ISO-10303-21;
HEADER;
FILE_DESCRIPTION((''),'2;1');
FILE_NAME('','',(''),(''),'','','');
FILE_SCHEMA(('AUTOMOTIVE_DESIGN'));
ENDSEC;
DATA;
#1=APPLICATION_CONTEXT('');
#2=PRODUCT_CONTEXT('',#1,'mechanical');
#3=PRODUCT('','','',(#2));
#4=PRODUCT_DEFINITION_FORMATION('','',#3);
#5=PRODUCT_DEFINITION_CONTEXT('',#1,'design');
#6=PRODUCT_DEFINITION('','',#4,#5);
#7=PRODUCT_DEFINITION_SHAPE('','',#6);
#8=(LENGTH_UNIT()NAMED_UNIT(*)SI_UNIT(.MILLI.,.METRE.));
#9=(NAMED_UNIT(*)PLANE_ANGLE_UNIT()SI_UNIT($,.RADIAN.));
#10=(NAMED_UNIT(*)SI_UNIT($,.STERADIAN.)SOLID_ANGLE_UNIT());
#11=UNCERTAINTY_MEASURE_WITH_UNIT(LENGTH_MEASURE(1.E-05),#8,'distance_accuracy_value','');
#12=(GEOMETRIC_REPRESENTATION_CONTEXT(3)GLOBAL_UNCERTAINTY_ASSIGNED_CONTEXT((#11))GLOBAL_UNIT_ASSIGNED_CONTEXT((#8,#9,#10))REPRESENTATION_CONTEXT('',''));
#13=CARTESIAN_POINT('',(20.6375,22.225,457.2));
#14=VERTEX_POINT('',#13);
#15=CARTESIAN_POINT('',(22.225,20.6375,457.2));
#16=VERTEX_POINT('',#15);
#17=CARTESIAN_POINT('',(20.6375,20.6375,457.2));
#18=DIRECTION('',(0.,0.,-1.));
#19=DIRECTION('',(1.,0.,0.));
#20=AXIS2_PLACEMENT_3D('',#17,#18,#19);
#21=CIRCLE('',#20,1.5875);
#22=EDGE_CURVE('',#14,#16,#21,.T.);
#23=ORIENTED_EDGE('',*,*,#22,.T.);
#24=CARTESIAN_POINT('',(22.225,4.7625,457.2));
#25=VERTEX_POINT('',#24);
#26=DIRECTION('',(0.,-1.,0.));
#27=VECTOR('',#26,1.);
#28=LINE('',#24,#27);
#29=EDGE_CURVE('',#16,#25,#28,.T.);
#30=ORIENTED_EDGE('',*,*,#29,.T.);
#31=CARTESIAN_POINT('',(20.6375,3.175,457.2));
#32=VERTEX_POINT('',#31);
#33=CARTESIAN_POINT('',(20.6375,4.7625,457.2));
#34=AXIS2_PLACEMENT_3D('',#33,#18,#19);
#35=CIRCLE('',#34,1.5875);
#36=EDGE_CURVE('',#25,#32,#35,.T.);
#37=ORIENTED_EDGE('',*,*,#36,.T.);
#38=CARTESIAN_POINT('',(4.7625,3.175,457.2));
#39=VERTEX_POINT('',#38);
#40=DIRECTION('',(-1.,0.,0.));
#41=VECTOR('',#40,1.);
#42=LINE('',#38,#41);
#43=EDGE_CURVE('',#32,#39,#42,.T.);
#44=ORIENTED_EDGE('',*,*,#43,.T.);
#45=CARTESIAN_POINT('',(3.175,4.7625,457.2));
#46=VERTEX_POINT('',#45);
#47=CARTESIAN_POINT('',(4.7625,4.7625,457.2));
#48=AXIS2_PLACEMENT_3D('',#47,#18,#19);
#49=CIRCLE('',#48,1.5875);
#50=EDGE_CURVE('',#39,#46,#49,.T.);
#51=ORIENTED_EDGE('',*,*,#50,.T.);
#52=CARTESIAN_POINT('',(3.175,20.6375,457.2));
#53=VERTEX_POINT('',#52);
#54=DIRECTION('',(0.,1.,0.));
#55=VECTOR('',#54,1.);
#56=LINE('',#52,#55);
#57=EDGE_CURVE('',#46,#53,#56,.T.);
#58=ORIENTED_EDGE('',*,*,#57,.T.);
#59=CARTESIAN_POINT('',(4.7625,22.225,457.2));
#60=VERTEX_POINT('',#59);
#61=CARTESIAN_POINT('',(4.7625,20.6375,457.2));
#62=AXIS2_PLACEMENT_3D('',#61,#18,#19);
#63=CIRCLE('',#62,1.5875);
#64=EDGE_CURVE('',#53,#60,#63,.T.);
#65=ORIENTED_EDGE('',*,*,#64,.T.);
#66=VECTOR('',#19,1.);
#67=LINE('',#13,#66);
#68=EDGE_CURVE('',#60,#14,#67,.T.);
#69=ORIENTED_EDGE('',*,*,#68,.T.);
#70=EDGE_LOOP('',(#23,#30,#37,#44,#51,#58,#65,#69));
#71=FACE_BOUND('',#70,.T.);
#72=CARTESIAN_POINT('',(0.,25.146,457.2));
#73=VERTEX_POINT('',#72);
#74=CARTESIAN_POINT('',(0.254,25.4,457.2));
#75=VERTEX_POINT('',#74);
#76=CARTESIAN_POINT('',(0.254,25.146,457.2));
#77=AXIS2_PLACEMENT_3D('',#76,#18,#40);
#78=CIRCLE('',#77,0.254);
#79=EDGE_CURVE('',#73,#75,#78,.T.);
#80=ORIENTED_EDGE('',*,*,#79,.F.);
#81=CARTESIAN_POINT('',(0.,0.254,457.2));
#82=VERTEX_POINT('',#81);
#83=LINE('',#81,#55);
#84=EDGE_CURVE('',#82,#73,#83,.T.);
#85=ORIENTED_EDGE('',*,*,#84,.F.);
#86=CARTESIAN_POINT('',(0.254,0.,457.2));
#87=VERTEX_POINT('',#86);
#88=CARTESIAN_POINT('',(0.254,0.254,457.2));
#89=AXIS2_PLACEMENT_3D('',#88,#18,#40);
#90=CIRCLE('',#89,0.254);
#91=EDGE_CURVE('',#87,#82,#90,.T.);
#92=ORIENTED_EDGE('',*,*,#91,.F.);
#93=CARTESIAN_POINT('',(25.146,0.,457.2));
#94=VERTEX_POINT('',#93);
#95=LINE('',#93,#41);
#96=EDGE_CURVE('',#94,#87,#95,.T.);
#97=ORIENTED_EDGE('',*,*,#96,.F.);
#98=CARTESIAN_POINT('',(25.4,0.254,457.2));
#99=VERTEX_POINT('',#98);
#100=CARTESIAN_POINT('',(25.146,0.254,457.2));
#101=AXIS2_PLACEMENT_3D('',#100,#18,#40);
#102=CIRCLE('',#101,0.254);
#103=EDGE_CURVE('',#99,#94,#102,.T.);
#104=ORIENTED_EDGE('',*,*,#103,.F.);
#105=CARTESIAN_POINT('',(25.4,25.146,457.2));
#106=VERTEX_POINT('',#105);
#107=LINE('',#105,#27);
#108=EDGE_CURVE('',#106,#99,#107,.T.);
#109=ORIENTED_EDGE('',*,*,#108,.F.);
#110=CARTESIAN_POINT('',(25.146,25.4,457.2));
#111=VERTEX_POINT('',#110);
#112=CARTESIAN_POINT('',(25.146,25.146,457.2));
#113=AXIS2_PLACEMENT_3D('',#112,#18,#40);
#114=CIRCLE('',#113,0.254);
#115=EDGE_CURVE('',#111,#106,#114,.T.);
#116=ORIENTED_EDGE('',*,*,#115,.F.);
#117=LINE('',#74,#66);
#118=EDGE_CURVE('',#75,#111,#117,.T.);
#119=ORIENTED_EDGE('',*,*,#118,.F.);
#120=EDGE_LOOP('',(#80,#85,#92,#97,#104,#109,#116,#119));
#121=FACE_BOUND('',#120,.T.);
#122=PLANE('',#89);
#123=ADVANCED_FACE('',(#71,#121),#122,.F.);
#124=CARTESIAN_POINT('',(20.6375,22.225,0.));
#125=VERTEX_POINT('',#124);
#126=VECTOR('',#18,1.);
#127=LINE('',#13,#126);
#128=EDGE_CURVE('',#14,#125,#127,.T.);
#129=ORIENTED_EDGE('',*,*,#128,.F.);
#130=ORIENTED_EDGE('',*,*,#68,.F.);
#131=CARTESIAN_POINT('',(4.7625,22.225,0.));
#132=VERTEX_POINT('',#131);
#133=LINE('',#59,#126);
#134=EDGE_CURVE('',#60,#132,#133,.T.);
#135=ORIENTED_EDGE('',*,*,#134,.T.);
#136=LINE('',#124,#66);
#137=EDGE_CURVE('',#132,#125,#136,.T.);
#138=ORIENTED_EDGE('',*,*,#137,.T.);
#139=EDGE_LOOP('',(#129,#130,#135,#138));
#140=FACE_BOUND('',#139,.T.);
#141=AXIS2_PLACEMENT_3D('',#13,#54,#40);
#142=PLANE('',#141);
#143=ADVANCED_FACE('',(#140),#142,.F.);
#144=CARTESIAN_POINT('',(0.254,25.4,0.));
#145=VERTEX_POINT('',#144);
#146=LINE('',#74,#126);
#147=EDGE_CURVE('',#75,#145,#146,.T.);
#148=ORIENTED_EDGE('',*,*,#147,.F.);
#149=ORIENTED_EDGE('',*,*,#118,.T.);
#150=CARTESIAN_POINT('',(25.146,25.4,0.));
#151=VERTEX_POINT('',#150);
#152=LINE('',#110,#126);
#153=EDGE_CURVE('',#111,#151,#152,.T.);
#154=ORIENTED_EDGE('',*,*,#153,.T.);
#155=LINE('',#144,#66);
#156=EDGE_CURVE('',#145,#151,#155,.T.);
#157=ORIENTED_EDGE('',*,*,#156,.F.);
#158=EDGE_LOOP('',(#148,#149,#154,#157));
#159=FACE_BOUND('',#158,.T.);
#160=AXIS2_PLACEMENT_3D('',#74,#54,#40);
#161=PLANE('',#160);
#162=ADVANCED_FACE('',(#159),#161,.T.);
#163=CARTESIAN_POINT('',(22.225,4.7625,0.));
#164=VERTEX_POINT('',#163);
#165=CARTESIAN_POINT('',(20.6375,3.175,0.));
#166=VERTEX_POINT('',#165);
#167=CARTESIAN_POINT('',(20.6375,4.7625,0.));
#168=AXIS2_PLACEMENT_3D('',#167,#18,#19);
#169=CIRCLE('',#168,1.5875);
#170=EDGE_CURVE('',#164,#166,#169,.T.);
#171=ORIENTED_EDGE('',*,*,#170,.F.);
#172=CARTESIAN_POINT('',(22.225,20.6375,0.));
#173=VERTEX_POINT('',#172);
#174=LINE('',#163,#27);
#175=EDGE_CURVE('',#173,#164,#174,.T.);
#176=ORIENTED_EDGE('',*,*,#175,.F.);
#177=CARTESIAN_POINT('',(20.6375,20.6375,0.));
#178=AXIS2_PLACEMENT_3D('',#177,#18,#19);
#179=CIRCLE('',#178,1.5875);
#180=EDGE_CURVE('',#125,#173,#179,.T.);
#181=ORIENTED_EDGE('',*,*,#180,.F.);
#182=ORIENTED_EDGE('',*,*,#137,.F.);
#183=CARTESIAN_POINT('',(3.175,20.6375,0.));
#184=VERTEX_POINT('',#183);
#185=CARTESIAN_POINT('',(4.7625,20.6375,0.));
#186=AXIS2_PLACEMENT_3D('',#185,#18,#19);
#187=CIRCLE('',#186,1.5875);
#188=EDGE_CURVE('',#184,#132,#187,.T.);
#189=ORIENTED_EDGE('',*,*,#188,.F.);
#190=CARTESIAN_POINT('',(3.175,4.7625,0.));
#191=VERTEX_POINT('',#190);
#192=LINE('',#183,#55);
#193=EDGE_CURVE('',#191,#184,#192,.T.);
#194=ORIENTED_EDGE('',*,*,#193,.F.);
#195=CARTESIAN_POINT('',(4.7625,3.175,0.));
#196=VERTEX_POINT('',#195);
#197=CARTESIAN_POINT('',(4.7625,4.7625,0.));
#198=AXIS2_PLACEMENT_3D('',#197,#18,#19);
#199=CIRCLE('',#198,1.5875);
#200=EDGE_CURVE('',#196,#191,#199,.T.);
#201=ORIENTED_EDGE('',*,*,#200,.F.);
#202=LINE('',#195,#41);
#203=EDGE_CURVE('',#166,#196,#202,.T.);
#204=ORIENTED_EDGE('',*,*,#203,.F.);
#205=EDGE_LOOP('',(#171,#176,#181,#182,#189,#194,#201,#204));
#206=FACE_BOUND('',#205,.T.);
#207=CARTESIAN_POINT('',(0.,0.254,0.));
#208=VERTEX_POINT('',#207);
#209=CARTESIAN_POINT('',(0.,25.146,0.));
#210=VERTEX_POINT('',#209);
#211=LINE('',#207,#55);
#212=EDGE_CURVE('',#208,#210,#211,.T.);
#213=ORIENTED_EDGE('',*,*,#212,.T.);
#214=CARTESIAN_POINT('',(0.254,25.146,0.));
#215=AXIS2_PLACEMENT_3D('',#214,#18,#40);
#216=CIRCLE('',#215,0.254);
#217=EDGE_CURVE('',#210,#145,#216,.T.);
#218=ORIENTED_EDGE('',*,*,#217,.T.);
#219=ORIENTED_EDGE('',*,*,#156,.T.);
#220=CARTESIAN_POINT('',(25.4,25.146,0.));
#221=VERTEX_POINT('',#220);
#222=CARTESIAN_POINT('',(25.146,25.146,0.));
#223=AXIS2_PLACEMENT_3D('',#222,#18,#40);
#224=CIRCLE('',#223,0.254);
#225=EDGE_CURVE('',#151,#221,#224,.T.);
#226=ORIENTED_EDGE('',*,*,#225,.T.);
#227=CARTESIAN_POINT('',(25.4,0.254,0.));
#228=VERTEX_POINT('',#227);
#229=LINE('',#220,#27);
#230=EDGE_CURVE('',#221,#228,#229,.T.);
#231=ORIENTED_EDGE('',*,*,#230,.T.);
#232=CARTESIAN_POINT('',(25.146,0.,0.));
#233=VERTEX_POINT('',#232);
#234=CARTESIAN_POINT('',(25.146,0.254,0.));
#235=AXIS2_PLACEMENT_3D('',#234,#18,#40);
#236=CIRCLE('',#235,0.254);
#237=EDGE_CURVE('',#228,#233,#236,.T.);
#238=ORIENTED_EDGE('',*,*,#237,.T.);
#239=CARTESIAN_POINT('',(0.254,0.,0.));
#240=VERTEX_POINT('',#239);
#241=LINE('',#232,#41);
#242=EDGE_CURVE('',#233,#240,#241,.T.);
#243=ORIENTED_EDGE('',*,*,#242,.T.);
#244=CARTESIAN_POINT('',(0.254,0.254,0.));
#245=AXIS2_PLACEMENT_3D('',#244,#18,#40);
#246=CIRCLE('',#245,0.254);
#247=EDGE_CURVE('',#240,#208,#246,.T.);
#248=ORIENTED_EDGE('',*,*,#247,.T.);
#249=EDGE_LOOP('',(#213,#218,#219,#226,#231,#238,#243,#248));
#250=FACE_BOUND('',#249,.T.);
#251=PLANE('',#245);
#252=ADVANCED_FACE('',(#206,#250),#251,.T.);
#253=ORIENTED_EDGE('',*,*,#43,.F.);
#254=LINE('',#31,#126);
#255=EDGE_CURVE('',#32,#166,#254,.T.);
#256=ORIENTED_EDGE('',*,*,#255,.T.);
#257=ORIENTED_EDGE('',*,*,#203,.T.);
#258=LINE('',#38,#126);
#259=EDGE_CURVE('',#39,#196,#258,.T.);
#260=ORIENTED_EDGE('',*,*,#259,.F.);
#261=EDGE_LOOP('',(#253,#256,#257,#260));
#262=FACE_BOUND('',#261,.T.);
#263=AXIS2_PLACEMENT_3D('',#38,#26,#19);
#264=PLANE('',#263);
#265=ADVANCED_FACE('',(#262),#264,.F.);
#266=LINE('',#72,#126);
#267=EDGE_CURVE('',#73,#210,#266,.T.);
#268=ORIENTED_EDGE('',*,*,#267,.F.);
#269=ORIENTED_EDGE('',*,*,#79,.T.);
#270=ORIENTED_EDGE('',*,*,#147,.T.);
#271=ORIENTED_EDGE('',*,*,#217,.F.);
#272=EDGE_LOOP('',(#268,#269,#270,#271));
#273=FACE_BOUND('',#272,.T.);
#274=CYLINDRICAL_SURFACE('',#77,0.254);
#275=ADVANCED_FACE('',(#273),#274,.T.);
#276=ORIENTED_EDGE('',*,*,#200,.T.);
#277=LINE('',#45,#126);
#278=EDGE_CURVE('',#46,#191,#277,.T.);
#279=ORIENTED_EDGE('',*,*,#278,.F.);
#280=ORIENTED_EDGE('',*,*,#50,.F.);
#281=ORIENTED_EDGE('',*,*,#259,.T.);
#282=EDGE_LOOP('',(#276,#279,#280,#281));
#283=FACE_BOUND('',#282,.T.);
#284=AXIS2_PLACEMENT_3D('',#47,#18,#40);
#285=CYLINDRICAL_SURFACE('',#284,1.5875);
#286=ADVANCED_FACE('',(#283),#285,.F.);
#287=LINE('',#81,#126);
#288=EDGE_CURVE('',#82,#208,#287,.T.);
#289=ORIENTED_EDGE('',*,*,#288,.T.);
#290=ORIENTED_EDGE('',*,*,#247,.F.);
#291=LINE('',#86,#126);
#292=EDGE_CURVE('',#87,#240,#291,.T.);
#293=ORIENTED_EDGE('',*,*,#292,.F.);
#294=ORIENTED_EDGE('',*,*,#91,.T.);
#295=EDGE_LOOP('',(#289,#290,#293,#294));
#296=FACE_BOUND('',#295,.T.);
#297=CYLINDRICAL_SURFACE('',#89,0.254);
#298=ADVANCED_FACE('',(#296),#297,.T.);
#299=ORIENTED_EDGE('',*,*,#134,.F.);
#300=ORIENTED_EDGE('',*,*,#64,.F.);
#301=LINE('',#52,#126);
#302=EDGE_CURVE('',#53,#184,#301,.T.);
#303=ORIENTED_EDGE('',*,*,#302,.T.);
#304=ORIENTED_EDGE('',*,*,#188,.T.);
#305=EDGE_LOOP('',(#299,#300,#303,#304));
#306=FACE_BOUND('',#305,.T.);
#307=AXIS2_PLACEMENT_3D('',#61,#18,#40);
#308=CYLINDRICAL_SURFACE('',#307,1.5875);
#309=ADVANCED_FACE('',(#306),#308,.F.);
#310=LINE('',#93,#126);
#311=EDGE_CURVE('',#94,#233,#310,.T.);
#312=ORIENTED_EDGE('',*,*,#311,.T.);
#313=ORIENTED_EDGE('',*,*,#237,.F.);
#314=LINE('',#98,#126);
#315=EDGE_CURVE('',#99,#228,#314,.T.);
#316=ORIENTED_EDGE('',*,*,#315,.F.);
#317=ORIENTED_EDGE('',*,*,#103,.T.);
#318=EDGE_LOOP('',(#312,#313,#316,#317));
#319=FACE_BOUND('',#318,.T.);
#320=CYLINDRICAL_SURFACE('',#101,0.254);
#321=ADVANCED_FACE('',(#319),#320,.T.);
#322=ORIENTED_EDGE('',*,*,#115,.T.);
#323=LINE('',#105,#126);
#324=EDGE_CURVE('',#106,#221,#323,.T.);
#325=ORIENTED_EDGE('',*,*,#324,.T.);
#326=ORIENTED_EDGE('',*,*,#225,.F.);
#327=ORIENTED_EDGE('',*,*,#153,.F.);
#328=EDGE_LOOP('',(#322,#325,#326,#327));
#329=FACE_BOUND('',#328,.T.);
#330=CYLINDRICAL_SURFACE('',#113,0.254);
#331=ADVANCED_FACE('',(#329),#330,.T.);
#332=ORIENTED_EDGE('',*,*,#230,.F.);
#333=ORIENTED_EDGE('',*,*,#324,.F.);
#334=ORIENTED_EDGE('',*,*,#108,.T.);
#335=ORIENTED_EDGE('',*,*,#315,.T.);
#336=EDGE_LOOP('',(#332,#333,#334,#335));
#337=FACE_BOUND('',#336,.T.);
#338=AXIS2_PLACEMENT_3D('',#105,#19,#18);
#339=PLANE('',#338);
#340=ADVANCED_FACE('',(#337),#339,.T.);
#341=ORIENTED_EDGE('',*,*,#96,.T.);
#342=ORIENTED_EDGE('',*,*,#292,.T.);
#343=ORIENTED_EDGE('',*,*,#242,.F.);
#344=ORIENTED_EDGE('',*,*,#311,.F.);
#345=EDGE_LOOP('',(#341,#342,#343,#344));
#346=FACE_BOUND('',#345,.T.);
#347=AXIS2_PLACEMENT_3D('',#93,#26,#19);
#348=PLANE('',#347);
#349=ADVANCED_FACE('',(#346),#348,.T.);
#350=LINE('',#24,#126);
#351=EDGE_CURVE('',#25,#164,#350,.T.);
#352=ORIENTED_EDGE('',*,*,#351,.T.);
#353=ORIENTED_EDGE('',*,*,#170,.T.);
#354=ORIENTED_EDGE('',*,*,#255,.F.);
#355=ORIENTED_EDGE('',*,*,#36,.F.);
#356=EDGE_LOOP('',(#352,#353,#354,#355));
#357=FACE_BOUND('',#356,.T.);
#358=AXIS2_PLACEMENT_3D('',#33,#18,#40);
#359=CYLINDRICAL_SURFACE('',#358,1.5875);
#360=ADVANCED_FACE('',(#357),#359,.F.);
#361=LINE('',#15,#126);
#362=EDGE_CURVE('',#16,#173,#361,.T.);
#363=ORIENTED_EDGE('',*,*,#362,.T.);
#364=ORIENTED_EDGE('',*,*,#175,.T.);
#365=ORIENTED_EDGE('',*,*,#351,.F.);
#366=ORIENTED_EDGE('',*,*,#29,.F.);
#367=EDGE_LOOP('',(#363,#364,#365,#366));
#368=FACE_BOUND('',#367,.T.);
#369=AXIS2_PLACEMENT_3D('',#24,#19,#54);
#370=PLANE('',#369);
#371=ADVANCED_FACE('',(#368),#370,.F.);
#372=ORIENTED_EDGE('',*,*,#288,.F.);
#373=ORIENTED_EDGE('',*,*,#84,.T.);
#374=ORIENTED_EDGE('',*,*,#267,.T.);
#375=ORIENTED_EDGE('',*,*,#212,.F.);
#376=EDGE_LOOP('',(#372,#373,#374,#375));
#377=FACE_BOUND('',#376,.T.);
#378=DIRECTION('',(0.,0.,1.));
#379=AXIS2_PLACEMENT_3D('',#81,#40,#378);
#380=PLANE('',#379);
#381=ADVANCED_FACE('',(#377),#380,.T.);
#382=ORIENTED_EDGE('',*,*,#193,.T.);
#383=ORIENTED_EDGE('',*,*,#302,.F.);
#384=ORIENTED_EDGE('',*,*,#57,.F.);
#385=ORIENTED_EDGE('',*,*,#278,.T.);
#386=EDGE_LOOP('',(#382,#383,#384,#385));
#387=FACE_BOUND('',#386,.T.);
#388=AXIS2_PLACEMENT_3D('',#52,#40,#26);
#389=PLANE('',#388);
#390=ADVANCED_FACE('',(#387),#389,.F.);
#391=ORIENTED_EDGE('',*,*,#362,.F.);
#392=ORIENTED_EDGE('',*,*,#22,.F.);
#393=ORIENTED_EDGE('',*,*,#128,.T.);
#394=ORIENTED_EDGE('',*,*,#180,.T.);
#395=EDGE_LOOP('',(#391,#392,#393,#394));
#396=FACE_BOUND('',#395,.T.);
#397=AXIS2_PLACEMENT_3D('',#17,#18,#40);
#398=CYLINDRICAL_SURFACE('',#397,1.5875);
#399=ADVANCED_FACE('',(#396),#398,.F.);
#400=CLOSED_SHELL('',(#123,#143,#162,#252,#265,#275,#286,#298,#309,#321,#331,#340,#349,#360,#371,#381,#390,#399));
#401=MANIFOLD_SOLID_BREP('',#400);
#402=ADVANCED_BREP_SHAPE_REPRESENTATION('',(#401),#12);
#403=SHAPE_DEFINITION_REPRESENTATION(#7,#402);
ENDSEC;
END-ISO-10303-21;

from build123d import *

# Parameters (mm, degrees)
BOSS_EXTRUDE1_DEPTH = 457.2


with BuildPart() as part:
    # Sketch1 → Boss-Extrude1 (new body)
    with BuildSketch(Plane(origin=(0, 0, 0), x_dir=(-1, 0, 0), z_dir=(0, 0, -1))):
        with BuildLine():
            Line((0, 0.254), (0, 25.146))
            ThreePointArc((0, 25.146), (-0.074394878, 25.325605122), (-0.254, 25.4))
            Line((-0.254, 25.4), (-25.146, 25.4))
            ThreePointArc((-25.146, 25.4), (-25.325605122, 25.325605122), (-25.4, 25.146))
            Line((-25.4, 25.146), (-25.4, 0.254))
            ThreePointArc((-25.4, 0.254), (-25.325605122, 0.074394878), (-25.146, 0))
            Line((-25.146, 0), (-0.254, 0))
            ThreePointArc((-0.254, 0), (-0.074394878, 0.074394878), (0, 0.254))
        make_face()
        with BuildLine():
            Line((-3.175, 20.6375), (-3.175, 4.7625))
            ThreePointArc((-3.175, 4.7625), (-3.639967985, 3.639967985), (-4.7625, 3.175))
            Line((-4.7625, 3.175), (-20.6375, 3.175))
            ThreePointArc((-20.6375, 3.175), (-21.760032015, 3.639967985), (-22.225, 4.7625))
            Line((-22.225, 4.7625), (-22.225, 20.6375))
            ThreePointArc((-22.225, 20.6375), (-21.760032015, 21.760032015), (-20.6375, 22.225))
            Line((-20.6375, 22.225), (-4.7625, 22.225))
            ThreePointArc((-4.7625, 22.225), (-3.639967985, 21.760032015), (-3.175, 20.6375))
        make_face(mode=Mode.SUBTRACT)
    extrude(amount=-BOSS_EXTRUDE1_DEPTH)


solid = part.part
